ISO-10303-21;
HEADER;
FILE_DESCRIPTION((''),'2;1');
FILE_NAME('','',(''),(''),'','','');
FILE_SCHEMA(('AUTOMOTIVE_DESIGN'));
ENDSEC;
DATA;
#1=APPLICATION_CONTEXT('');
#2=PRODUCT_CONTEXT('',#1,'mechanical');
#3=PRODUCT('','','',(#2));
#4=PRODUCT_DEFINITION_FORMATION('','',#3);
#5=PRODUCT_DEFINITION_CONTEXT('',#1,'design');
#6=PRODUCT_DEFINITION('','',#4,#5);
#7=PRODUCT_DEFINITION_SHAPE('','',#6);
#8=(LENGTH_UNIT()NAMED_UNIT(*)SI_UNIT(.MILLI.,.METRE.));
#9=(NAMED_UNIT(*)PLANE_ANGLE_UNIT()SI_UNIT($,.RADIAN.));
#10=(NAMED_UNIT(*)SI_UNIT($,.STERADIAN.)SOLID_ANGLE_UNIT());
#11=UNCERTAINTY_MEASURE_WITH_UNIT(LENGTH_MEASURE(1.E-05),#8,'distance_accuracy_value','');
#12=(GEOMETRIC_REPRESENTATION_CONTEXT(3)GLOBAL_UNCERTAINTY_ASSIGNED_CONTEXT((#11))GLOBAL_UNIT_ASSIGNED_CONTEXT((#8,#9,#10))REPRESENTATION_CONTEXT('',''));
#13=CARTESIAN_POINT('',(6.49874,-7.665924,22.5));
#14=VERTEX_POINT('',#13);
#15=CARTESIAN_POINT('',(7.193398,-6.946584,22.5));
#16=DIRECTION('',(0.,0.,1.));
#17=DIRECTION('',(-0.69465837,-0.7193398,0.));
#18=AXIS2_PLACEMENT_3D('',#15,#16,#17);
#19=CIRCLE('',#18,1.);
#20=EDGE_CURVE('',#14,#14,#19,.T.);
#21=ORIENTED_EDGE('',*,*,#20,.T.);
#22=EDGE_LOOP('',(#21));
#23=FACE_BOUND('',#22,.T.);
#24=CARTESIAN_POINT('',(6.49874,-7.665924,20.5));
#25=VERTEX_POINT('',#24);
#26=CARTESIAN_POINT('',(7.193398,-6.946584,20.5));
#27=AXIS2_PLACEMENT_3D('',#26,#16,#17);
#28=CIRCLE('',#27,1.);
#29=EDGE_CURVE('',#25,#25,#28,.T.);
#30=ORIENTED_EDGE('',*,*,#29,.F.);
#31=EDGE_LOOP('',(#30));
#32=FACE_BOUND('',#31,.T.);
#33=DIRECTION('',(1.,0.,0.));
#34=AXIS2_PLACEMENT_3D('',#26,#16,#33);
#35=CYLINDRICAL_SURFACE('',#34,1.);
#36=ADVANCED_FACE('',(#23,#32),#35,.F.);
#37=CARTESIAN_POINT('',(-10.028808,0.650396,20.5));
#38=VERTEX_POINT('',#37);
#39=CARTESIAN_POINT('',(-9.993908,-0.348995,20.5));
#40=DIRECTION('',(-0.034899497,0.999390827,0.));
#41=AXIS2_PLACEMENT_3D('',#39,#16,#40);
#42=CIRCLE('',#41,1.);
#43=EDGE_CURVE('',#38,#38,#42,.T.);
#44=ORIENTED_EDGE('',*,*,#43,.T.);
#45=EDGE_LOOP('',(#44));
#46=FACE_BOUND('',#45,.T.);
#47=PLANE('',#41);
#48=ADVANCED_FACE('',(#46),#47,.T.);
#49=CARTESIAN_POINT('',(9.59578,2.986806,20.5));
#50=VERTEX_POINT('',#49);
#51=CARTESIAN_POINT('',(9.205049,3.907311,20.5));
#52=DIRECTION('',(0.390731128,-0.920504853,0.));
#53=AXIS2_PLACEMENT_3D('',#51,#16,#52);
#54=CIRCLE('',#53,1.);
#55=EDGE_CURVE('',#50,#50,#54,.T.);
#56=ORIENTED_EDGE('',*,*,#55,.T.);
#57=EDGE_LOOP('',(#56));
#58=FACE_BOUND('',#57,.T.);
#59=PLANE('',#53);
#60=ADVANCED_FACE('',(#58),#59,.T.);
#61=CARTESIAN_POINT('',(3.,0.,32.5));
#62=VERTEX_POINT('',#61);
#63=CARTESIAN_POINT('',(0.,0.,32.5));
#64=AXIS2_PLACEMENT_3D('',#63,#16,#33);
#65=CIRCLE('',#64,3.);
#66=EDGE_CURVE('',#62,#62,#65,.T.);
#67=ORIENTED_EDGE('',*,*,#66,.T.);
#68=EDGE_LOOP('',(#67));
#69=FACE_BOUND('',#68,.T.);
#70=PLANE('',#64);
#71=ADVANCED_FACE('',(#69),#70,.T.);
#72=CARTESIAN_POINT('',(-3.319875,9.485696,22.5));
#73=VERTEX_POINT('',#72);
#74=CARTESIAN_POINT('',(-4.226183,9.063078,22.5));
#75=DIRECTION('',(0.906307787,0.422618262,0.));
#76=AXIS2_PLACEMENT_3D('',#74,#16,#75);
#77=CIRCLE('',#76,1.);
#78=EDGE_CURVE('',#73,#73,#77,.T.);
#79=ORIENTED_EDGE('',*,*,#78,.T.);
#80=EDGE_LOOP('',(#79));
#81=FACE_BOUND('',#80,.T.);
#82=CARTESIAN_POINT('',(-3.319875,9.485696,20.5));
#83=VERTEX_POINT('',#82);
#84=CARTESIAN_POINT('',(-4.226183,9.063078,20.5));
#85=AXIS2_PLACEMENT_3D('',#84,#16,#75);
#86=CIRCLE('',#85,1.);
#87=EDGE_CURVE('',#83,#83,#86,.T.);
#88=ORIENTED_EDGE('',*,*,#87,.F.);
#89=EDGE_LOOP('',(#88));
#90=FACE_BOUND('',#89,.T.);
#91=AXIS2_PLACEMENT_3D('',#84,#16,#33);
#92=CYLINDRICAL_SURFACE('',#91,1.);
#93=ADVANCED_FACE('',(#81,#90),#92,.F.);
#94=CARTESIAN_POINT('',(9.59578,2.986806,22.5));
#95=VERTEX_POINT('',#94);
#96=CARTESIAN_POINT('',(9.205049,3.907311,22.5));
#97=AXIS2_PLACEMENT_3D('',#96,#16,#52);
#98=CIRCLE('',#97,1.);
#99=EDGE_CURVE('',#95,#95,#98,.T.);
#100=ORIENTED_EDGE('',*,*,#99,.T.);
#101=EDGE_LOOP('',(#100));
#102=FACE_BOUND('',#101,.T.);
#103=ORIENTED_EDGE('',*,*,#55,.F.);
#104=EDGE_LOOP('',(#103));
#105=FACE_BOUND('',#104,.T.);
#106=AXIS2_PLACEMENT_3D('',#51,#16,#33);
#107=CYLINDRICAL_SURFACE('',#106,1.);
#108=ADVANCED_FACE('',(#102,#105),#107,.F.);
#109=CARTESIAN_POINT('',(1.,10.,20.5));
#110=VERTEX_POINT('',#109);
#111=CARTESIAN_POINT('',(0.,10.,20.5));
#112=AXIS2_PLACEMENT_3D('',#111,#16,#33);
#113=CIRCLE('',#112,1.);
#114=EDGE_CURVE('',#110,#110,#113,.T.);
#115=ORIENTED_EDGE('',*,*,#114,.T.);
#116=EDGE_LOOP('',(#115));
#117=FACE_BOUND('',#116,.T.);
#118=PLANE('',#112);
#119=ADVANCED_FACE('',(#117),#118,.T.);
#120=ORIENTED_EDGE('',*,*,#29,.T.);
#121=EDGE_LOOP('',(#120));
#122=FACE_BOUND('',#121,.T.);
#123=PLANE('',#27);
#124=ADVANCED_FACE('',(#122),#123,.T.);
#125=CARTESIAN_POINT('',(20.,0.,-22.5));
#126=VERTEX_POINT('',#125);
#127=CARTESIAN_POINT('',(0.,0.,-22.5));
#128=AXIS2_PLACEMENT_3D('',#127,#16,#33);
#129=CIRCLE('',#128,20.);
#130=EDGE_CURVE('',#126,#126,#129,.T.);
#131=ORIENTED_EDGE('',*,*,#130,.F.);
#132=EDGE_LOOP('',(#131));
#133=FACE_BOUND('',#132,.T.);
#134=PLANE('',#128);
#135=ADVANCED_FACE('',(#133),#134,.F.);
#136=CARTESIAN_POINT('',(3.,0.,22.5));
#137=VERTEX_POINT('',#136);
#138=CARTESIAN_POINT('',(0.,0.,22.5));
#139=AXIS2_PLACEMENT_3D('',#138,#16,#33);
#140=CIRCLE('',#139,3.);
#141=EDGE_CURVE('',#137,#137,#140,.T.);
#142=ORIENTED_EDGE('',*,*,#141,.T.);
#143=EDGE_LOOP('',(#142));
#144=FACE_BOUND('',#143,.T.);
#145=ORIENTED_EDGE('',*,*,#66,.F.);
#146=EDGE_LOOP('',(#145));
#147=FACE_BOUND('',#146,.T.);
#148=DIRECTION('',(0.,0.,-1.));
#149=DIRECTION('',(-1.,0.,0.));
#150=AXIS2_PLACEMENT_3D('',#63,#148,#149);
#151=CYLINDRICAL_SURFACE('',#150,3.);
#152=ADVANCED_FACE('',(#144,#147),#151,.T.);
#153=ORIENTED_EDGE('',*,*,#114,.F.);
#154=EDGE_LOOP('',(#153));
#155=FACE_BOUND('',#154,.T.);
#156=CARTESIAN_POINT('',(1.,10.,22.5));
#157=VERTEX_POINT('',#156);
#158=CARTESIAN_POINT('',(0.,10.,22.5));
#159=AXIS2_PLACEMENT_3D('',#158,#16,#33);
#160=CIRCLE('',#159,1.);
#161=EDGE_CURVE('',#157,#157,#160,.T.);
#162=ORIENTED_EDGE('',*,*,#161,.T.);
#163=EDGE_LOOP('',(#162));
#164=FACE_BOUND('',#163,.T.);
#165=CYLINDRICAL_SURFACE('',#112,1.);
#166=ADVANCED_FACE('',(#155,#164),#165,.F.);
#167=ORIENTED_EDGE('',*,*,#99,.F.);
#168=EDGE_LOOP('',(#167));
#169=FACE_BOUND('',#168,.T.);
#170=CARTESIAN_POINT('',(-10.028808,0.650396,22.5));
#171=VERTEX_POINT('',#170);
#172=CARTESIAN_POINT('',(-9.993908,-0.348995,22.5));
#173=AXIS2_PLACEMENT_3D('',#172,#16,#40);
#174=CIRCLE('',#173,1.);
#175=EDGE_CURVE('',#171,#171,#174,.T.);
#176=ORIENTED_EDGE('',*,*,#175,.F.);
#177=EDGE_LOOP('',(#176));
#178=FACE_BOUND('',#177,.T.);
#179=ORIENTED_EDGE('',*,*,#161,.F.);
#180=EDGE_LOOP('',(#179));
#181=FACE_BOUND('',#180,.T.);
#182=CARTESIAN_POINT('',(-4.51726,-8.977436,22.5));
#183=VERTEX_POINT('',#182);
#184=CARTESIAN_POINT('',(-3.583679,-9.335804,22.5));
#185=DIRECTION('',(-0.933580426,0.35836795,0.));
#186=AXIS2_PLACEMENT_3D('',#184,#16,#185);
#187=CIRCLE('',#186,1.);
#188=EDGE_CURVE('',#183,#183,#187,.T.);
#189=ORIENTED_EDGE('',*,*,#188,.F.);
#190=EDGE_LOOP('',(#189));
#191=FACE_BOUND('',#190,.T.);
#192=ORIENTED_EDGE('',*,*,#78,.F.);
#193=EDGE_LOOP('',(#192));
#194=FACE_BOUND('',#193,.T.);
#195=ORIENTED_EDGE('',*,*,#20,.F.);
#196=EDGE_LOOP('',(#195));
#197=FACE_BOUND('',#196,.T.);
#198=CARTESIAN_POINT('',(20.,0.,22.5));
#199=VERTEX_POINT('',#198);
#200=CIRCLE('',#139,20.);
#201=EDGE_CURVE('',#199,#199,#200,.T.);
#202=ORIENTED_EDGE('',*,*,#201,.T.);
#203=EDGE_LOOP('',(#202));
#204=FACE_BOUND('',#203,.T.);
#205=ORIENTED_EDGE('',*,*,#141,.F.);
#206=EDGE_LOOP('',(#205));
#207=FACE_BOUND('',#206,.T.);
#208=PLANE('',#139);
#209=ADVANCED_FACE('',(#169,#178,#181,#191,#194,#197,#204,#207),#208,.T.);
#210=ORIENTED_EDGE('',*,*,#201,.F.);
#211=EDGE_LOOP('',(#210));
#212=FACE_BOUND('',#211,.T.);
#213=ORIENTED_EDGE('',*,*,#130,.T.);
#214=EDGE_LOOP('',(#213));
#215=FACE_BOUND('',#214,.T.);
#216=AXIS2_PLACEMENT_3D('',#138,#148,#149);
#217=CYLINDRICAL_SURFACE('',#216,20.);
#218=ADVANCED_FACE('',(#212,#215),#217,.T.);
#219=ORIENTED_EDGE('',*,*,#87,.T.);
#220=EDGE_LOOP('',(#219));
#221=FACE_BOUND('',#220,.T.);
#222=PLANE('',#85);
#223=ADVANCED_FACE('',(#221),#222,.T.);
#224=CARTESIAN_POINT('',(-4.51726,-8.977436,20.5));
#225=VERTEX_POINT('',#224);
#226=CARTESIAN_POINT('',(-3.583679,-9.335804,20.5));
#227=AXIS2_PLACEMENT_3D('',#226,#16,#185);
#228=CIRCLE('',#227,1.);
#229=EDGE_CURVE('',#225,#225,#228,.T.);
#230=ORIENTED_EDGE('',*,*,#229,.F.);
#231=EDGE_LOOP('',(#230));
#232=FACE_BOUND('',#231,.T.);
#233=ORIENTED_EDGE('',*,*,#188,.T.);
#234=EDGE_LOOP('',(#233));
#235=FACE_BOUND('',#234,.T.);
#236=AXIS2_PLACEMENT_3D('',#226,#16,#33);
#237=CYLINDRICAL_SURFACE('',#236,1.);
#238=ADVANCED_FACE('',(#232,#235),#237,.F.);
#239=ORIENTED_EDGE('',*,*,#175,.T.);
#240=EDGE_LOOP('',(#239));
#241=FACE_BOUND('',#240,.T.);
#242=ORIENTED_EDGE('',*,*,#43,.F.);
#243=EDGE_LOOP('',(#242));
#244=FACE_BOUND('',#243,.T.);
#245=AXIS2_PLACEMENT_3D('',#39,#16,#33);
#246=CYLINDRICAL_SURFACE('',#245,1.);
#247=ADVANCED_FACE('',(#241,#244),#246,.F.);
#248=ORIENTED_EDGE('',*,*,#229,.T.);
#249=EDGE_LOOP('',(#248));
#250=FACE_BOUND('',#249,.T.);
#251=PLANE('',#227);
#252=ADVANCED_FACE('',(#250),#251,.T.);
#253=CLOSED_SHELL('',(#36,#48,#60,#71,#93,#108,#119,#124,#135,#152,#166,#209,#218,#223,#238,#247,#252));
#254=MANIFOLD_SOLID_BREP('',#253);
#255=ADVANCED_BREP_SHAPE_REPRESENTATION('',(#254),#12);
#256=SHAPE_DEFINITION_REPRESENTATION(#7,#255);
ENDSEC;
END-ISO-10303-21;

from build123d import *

# Parameters (mm, degrees)
SKETCH1_R           = 20
BOSS_EXTRUDE1_DEPTH = 22.5
SKETCH2_R           = 3
BOSS_EXTRUDE2_DEPTH = 10
SKETCH3_R           = 1
CUT_EXTRUDE1_DEPTH  = 2
CIRPATTERN1_COUNT   = 6
CIRPATTERN1_ANGLE   = 335


with BuildPart() as part:
    # Sketch1 → Boss-Extrude1 (new body, symmetric)
    with BuildSketch(Plane.XY):
        Circle(SKETCH1_R)
    extrude(amount=BOSS_EXTRUDE1_DEPTH, both=True)

    # Sketch2 → Boss-Extrude2 (add)
    with BuildSketch(Plane.XY.offset(22.5)):
        Circle(SKETCH2_R)
    extrude(amount=BOSS_EXTRUDE2_DEPTH)

    # Sketch3 → Cut-Extrude1 (cut)
    with BuildSketch(Plane.XY.offset(22.5)):
        with Locations((0, 10)):
            Circle(SKETCH3_R)
    cut_extrude1 = extrude(amount=-CUT_EXTRUDE1_DEPTH, mode=Mode.SUBTRACT)

    # CirPattern1: Cut-Extrude1 ×6 about axis
    cirpattern1_axis = Axis((0, 0, 0), (0, 0, -1))
    for i in range(1, CIRPATTERN1_COUNT):
        add(cut_extrude1.rotate(cirpattern1_axis, i * CIRPATTERN1_ANGLE / (CIRPATTERN1_COUNT - 1)), mode=Mode.SUBTRACT)


solid = part.part
